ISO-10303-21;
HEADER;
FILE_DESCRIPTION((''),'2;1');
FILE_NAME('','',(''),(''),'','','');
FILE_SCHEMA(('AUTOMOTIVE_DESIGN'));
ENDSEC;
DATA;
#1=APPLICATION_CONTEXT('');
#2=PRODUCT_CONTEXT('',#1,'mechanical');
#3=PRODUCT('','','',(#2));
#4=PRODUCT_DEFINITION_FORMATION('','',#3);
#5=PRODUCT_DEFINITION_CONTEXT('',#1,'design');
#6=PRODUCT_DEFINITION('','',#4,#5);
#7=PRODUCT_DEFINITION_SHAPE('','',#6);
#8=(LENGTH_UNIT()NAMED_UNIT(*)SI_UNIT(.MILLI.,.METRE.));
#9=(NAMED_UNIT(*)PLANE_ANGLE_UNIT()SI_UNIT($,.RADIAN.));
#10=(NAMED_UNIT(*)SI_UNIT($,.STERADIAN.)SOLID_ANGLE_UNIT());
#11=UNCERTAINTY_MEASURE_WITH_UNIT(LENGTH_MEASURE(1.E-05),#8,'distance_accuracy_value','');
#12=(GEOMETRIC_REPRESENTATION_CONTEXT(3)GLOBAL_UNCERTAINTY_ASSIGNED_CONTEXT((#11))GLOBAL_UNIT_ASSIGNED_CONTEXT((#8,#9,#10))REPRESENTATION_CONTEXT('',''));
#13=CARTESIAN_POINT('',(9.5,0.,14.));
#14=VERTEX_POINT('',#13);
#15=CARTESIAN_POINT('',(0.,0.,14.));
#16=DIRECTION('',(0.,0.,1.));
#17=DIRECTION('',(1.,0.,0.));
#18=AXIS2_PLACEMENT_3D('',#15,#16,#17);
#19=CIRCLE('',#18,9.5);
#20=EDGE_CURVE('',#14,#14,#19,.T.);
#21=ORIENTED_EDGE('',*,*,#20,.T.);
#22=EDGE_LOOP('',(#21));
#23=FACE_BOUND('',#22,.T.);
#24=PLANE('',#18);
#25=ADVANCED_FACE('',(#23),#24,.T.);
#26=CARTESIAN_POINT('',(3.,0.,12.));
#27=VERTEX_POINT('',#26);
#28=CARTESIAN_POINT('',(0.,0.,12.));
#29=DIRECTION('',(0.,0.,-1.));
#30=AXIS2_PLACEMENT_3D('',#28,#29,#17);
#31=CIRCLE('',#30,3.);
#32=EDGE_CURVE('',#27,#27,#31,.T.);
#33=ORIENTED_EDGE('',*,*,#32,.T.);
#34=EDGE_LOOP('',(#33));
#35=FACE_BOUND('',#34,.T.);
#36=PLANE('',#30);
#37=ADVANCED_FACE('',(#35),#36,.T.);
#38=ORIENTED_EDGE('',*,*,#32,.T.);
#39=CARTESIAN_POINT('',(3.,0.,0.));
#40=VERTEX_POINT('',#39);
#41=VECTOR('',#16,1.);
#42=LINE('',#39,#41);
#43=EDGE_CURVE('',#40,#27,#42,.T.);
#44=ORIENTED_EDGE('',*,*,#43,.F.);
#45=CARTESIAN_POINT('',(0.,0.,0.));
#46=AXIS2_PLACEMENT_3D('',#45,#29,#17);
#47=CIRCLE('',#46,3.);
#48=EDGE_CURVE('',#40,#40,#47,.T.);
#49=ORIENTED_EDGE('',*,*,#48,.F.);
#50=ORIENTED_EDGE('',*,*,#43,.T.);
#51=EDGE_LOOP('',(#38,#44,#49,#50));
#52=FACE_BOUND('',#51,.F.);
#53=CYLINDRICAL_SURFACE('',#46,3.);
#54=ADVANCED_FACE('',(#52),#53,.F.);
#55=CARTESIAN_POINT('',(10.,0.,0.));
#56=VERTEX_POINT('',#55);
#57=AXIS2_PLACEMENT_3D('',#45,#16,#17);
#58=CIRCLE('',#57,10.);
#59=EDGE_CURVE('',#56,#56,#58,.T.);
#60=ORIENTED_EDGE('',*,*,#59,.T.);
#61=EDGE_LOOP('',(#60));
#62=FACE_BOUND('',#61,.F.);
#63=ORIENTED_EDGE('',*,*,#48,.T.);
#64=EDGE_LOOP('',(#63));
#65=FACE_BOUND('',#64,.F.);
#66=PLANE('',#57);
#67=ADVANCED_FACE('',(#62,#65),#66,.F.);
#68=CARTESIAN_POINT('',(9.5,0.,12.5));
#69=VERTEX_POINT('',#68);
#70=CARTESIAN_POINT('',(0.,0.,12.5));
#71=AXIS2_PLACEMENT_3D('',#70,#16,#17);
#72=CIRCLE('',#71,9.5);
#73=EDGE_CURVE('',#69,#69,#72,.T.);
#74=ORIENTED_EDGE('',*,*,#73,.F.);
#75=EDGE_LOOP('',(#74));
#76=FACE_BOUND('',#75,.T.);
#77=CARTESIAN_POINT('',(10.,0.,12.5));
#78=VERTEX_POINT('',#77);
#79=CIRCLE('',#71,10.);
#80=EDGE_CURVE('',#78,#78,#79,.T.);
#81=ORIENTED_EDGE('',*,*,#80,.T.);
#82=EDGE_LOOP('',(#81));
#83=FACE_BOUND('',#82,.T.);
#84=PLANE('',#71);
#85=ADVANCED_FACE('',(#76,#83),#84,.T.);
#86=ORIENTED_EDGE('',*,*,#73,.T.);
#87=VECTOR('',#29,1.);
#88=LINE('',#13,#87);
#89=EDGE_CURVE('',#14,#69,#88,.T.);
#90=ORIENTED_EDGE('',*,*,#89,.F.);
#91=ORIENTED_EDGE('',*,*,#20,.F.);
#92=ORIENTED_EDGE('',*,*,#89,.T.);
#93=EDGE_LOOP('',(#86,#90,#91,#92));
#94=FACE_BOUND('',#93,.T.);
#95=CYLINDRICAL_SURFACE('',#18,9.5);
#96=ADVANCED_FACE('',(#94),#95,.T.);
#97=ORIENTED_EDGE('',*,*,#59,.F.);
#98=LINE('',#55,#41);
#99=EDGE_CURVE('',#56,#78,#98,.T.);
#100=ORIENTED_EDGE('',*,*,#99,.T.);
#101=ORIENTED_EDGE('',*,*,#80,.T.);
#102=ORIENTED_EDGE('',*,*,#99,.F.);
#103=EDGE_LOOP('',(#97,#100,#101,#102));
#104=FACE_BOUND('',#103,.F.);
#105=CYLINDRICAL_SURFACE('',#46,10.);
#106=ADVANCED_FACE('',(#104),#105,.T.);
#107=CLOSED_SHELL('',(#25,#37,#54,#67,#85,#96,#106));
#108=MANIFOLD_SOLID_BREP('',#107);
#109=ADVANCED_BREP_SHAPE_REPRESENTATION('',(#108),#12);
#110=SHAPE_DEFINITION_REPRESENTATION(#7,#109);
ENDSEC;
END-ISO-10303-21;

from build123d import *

# Parameters (mm, degrees)
F0_R     = 10
F1_DEPTH = 14
F2_R     = 3
F3_DEPTH = 12
F4_R     = 10
F4_R_2   = 9.5
F5_DEPTH = 1.5


with BuildPart() as f1:
    # F0 (on Top) → F1 (new body)
    with BuildSketch(Plane.XY):
        Circle(F0_R)
    extrude(amount=F1_DEPTH)

    # F2 (on face) → F3 (cut)
    with BuildSketch(Plane(origin=(0, 0, 0), x_dir=(1, 0, 0), z_dir=(0, 0, -1))):
        Circle(F2_R)
    extrude(amount=-F3_DEPTH, mode=Mode.SUBTRACT)

    # F4 (on face) → F5 (cut)
    with BuildSketch(Plane.XY.offset(14)):
        Circle(F4_R)
        Circle(F4_R_2, mode=Mode.SUBTRACT)
    extrude(amount=-F5_DEPTH, mode=Mode.SUBTRACT)


solid = f1.part
